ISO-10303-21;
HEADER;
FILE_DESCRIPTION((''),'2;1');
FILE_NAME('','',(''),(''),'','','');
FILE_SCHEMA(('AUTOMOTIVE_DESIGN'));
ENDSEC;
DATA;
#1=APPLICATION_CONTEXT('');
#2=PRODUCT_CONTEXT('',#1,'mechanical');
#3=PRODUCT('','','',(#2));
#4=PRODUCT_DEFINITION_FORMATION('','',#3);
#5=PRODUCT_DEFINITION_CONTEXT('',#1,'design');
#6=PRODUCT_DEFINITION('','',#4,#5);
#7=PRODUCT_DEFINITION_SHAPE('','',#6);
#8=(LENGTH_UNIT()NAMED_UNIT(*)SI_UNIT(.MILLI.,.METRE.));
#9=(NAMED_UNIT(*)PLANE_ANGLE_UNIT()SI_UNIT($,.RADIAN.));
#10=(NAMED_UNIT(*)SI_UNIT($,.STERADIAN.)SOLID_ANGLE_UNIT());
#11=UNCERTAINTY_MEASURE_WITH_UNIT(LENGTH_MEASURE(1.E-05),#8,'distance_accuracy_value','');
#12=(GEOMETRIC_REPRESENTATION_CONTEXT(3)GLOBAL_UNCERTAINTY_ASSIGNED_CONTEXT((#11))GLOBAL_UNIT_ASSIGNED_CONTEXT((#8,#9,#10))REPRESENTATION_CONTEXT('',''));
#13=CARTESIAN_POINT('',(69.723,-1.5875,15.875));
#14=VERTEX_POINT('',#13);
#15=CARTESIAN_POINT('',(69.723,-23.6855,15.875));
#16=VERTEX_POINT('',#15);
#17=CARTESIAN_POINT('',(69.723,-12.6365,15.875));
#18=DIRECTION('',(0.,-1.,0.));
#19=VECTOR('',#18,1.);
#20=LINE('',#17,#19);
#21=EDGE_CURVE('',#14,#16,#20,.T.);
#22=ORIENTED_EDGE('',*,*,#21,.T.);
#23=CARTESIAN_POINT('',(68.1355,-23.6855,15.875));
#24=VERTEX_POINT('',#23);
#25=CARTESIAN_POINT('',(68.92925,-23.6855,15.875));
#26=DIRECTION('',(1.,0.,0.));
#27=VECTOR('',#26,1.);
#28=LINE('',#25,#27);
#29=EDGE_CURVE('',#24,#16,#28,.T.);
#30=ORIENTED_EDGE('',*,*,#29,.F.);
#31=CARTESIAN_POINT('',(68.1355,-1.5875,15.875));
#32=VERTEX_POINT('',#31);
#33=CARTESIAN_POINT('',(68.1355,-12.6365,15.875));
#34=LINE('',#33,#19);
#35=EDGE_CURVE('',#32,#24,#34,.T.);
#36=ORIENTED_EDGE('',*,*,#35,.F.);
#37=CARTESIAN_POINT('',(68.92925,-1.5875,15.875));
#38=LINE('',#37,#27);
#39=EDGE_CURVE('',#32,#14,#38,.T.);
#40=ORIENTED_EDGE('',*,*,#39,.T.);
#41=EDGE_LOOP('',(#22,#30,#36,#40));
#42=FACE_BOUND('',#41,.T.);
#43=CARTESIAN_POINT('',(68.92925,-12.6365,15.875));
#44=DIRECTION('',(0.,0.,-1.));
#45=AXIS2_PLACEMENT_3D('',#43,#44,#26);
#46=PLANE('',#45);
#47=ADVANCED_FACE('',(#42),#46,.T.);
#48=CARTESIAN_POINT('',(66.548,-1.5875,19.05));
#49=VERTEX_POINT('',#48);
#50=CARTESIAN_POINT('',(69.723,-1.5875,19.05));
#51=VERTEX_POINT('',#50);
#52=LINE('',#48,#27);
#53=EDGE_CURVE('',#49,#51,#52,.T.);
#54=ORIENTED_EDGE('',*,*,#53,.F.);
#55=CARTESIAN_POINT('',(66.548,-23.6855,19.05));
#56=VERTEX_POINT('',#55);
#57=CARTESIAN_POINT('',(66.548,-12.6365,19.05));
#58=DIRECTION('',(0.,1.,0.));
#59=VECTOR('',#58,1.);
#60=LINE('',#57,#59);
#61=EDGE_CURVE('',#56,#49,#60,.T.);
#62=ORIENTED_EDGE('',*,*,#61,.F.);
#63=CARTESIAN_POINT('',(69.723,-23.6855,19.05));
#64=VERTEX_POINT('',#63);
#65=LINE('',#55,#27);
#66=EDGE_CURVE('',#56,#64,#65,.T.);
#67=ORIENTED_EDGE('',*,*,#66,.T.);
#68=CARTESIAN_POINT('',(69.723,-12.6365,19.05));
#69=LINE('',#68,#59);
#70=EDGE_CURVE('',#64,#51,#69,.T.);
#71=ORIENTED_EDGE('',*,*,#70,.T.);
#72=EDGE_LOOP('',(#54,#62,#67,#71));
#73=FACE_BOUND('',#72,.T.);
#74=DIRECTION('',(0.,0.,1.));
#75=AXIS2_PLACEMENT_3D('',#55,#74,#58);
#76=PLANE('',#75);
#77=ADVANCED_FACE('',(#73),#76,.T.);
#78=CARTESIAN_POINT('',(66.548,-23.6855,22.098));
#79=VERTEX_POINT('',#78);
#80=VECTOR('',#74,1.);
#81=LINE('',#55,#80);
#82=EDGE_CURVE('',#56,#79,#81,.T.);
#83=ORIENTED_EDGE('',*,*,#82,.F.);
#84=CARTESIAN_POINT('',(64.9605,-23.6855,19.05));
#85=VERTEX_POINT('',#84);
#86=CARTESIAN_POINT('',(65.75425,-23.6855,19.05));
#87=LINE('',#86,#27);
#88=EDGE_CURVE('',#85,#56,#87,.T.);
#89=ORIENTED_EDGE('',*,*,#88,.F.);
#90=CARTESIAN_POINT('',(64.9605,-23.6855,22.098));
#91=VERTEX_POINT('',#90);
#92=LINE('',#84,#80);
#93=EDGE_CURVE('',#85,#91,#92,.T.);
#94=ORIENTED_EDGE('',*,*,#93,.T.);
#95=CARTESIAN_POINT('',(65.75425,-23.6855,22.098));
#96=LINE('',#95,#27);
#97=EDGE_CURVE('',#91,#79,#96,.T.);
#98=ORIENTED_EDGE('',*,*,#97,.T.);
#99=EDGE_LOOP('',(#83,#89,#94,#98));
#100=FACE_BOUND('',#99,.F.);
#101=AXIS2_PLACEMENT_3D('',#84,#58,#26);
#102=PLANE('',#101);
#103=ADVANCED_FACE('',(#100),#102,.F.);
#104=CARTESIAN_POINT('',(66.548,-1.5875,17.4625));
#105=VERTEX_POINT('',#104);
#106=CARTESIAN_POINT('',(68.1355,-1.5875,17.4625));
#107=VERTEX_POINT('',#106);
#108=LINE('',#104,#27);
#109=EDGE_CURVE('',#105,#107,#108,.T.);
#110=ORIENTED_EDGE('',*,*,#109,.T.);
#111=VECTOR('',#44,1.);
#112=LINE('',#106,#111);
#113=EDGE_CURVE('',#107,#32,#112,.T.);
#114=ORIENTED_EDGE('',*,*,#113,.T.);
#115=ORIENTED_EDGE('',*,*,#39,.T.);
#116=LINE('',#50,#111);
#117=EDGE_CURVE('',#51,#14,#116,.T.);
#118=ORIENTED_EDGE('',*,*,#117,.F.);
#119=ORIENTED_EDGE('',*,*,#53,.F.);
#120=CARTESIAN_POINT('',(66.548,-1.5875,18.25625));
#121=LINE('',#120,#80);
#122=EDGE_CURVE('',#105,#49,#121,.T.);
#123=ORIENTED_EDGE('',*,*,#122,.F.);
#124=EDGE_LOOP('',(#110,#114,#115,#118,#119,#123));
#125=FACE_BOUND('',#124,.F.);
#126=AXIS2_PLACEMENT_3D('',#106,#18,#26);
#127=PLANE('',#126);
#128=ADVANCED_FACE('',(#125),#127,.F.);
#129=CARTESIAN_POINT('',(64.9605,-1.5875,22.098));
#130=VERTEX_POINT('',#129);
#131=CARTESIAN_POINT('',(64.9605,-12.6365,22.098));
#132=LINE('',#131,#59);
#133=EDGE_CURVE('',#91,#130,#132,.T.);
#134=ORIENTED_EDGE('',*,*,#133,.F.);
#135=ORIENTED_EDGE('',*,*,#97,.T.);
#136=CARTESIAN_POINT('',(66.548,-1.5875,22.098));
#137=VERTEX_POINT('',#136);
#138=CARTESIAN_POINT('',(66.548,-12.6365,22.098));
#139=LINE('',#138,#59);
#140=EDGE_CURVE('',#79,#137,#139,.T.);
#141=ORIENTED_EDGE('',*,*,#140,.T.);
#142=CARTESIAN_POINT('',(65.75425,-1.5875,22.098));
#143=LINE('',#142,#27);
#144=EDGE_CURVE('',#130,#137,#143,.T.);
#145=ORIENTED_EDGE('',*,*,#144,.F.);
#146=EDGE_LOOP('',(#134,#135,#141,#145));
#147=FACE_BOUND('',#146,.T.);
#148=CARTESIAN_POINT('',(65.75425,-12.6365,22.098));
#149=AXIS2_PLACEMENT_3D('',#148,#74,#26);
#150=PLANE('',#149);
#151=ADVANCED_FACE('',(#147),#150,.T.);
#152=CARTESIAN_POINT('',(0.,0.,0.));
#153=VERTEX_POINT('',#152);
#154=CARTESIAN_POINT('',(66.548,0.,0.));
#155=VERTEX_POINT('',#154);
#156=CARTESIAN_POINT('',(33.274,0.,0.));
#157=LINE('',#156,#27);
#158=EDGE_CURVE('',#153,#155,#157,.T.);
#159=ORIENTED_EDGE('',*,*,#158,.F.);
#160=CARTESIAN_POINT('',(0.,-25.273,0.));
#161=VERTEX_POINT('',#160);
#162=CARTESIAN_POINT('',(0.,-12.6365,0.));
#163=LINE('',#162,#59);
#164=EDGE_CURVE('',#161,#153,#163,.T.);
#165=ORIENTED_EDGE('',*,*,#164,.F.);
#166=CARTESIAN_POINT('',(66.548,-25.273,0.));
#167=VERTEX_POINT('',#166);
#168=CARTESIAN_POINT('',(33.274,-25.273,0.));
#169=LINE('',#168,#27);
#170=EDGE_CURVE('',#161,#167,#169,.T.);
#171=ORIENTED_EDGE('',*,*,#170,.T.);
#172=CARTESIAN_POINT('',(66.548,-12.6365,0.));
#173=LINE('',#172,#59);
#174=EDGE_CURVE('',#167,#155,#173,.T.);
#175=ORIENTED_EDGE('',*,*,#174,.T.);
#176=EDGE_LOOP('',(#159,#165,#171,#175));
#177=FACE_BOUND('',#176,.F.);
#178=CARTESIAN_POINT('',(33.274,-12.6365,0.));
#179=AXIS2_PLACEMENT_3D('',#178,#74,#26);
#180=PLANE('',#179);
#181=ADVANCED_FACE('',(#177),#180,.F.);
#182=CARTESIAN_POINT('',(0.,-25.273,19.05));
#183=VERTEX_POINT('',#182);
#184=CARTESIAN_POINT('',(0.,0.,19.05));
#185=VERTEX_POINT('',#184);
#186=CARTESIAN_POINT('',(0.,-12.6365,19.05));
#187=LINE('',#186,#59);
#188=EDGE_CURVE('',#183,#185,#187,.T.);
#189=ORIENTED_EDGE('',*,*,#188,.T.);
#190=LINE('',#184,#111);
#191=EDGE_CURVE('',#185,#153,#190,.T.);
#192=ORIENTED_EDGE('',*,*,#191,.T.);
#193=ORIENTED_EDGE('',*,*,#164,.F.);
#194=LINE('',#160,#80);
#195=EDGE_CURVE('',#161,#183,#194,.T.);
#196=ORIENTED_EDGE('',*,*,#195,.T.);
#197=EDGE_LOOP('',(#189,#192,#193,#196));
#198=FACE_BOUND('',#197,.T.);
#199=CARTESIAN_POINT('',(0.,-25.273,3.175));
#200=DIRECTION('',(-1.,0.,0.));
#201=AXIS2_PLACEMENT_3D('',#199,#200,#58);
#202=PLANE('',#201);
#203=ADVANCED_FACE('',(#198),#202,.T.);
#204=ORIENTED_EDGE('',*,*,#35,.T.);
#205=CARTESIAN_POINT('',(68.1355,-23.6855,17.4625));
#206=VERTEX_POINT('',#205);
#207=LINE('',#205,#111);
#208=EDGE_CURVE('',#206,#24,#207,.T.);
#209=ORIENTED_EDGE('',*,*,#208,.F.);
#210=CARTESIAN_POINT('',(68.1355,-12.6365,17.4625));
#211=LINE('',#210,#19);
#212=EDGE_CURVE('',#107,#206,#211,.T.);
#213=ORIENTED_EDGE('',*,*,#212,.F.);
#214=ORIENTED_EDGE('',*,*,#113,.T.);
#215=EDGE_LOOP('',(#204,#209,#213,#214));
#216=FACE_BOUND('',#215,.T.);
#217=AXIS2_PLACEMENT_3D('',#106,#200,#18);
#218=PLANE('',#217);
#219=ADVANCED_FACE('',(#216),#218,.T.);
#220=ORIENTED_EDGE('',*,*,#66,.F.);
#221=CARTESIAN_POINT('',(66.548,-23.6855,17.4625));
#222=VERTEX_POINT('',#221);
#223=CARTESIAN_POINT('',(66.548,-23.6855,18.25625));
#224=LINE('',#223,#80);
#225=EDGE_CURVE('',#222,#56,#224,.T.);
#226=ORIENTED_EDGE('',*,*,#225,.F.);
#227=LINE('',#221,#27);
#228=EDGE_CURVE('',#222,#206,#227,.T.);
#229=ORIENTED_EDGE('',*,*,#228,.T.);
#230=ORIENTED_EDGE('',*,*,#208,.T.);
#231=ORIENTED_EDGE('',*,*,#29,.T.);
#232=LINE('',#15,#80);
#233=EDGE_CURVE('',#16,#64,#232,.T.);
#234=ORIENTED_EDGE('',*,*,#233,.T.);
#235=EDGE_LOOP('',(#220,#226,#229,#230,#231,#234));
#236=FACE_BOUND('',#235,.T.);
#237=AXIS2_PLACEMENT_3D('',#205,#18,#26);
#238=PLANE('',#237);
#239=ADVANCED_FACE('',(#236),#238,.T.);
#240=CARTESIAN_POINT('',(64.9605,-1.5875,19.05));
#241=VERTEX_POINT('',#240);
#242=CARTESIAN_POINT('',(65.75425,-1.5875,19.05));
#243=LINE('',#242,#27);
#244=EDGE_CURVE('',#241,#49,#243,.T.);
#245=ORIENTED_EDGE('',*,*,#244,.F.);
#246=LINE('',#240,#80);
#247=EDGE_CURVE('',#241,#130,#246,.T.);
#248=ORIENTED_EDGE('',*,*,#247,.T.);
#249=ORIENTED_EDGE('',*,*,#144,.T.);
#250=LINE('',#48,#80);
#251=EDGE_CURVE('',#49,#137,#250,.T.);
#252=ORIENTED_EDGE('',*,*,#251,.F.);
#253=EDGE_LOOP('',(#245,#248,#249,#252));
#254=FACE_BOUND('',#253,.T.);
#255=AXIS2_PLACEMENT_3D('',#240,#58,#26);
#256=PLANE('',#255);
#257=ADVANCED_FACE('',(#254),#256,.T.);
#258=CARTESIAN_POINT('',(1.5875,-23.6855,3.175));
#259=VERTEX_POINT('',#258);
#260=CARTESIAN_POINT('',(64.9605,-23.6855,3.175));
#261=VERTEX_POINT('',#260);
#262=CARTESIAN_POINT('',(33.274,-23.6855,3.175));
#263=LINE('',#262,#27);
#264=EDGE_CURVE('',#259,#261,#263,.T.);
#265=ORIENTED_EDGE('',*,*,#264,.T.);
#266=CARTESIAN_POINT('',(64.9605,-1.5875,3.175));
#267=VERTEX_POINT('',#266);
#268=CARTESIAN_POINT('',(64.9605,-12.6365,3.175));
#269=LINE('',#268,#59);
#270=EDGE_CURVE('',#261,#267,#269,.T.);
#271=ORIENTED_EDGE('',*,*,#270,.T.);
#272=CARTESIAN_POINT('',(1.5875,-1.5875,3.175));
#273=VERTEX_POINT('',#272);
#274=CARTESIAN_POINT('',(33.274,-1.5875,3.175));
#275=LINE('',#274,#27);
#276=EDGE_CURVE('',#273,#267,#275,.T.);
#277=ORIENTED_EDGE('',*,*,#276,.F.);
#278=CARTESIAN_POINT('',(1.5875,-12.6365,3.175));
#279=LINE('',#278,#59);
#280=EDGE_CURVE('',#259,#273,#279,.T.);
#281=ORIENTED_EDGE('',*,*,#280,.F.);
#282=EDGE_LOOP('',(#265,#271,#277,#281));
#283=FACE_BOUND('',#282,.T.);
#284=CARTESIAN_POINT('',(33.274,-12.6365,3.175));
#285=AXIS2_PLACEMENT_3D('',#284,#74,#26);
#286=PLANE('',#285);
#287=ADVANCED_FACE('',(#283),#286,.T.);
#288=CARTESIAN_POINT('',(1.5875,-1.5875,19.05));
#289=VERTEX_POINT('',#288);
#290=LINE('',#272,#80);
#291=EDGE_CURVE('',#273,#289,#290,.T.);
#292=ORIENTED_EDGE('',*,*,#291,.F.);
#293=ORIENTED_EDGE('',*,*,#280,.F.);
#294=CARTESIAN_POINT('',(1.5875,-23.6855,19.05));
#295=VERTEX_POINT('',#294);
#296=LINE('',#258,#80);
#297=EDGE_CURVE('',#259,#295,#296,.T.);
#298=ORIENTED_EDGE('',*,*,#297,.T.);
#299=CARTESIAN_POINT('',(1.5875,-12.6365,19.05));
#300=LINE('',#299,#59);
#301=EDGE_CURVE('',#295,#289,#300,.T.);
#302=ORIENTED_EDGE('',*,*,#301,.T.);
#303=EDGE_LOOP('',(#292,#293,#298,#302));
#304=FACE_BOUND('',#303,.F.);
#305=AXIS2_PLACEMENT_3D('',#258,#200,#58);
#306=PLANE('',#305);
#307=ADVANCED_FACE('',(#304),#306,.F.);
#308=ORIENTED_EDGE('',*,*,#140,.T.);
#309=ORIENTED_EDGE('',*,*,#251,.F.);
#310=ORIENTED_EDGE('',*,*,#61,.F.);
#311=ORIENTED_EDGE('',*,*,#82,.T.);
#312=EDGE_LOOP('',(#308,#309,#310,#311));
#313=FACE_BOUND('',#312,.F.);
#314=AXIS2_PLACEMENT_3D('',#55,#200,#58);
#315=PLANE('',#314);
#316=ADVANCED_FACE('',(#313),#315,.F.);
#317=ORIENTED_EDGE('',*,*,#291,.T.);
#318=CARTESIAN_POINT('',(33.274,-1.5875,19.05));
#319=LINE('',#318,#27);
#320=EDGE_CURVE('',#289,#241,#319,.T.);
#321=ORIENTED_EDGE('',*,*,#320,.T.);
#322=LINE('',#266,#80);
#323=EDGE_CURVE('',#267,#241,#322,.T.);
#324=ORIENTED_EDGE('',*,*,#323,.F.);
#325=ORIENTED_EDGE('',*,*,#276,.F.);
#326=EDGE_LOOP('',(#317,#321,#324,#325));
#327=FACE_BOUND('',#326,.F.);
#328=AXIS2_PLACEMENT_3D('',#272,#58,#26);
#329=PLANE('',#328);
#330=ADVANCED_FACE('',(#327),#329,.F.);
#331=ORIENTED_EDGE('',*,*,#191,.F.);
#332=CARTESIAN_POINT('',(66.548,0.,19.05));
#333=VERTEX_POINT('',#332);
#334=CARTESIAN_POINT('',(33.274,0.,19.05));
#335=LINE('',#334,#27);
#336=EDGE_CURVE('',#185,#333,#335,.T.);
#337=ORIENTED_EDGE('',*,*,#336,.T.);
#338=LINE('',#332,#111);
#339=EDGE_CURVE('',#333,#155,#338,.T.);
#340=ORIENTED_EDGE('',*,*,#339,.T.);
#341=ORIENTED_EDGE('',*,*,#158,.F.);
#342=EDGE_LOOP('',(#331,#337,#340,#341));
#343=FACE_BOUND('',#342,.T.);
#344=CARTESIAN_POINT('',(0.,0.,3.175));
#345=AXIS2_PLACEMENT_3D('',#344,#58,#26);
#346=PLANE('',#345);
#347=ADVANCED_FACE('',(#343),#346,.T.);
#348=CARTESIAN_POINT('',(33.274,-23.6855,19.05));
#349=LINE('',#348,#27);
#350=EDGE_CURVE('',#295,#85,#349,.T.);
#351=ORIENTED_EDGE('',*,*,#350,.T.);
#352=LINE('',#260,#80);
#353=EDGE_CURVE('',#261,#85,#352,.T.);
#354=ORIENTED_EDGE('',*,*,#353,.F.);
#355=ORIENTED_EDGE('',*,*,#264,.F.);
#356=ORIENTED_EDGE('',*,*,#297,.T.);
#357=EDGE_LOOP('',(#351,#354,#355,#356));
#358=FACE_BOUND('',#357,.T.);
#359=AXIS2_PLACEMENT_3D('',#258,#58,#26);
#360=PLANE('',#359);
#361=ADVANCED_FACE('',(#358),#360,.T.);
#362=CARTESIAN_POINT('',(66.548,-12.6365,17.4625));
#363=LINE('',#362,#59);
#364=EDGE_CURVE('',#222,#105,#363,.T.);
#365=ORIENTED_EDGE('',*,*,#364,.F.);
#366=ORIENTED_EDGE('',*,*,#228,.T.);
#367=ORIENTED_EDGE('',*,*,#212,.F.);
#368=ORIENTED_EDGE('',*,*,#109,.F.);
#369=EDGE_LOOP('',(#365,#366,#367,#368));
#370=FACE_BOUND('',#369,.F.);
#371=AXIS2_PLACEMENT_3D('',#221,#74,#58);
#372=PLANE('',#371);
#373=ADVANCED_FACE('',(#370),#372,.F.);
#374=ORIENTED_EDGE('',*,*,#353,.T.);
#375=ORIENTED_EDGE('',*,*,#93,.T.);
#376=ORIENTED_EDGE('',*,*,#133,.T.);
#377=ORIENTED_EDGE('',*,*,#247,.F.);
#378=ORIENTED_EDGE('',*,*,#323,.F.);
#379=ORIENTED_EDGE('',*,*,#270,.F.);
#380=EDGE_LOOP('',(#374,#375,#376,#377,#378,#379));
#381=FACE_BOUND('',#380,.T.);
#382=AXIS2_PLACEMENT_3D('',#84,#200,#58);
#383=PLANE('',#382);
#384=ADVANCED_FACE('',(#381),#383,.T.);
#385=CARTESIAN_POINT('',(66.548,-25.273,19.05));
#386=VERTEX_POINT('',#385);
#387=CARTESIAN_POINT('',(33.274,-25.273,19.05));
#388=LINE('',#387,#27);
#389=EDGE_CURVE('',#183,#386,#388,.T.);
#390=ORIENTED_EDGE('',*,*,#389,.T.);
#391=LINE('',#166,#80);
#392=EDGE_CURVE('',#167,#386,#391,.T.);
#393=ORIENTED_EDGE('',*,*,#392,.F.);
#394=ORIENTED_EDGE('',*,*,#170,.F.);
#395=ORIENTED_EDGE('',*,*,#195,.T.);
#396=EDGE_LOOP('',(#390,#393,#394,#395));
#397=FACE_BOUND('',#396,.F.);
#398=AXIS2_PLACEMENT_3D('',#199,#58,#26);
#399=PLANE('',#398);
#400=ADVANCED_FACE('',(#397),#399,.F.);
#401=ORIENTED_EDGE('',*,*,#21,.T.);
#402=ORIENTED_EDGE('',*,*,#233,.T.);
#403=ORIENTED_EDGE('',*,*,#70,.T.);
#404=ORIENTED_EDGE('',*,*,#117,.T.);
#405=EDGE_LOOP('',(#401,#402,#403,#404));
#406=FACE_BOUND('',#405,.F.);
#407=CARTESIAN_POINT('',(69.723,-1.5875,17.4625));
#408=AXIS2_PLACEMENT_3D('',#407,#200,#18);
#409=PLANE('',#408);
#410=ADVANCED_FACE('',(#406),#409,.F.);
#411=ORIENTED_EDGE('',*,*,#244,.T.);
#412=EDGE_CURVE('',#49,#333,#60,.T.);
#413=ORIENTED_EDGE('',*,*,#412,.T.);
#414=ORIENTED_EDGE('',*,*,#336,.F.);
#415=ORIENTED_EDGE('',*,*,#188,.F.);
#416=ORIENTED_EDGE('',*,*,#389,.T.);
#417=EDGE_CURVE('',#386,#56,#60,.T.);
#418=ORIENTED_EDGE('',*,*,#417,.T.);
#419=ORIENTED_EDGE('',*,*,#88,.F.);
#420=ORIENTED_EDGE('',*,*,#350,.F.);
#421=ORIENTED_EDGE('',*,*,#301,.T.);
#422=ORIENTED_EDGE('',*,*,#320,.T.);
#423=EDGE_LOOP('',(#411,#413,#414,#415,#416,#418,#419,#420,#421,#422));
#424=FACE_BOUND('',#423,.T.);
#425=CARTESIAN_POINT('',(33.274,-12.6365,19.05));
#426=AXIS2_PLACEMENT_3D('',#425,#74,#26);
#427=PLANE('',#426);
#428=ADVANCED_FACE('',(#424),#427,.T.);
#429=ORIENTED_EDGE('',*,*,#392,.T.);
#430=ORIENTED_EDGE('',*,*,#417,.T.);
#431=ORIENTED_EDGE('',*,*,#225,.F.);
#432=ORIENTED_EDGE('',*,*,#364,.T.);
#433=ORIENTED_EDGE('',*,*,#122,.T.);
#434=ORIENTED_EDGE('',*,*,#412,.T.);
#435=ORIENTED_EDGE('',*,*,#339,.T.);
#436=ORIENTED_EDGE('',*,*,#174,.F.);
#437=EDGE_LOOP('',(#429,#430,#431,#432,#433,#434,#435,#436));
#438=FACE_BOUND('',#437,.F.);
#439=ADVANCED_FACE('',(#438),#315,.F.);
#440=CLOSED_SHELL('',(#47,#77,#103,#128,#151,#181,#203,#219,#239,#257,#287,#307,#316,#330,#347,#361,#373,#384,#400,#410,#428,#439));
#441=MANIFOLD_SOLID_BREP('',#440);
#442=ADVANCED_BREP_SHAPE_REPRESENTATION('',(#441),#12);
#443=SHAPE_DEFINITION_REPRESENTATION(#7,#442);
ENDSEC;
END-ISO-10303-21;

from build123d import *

# Parameters (mm, degrees)
F0_W     = 66.548
F0_H     = 25.273
F1_DEPTH = 3.175
F2_W     = 66.548
F2_H     = 25.273
F2_W_2   = 63.373
F2_H_2   = 22.098
F3_DEPTH = 15.875
F4_W     = 1.5875
F4_H     = 22.098
F5_DEPTH = 3.048
F6_W     = 22.098
F6_H     = 1.5875
F7_DEPTH = 3.175
F8_W     = 1.5875
F8_H     = 22.098
F9_DEPTH = 1.5875


with BuildPart() as f1:
    # F0 (on Top) → F1 (new body)
    with BuildSketch(Plane.XY):
        with Locations((33.274, -12.6365)):
            Rectangle(F0_W, F0_H)
    extrude(amount=F1_DEPTH)

    # F2 (on face) → F3 (join)
    with BuildSketch(Plane.XY.offset(3.175)):
        with Locations((33.274, -12.6365)):
            Rectangle(F2_W, F2_H)
        with Locations((33.274, -12.6365)):
            Rectangle(F2_W_2, F2_H_2, mode=Mode.SUBTRACT)
    extrude(amount=F3_DEPTH)

    # F4 (on face) → F5 (join)
    with BuildSketch(Plane.XY.offset(19.05)):
        with Locations((65.75425, -12.6365)):
            Rectangle(F4_W, F4_H)
    extrude(amount=F5_DEPTH)

    # F6 (on face) → F7 (join)
    with BuildSketch(Plane.YZ.offset(66.548)):
        with Locations((-12.6365, 18.25625)):
            Rectangle(F6_W, F6_H)
    extrude(amount=F7_DEPTH)

    # F8 (on face) → F9 (join)
    with BuildSketch(Plane(origin=(0, 0, 17.4625), x_dir=(1, 0, 0), z_dir=(0, 0, -1))):
        with Locations((68.92925, 12.6365)):
            Rectangle(F8_W, F8_H)
    extrude(amount=F9_DEPTH)


solid = f1.part
